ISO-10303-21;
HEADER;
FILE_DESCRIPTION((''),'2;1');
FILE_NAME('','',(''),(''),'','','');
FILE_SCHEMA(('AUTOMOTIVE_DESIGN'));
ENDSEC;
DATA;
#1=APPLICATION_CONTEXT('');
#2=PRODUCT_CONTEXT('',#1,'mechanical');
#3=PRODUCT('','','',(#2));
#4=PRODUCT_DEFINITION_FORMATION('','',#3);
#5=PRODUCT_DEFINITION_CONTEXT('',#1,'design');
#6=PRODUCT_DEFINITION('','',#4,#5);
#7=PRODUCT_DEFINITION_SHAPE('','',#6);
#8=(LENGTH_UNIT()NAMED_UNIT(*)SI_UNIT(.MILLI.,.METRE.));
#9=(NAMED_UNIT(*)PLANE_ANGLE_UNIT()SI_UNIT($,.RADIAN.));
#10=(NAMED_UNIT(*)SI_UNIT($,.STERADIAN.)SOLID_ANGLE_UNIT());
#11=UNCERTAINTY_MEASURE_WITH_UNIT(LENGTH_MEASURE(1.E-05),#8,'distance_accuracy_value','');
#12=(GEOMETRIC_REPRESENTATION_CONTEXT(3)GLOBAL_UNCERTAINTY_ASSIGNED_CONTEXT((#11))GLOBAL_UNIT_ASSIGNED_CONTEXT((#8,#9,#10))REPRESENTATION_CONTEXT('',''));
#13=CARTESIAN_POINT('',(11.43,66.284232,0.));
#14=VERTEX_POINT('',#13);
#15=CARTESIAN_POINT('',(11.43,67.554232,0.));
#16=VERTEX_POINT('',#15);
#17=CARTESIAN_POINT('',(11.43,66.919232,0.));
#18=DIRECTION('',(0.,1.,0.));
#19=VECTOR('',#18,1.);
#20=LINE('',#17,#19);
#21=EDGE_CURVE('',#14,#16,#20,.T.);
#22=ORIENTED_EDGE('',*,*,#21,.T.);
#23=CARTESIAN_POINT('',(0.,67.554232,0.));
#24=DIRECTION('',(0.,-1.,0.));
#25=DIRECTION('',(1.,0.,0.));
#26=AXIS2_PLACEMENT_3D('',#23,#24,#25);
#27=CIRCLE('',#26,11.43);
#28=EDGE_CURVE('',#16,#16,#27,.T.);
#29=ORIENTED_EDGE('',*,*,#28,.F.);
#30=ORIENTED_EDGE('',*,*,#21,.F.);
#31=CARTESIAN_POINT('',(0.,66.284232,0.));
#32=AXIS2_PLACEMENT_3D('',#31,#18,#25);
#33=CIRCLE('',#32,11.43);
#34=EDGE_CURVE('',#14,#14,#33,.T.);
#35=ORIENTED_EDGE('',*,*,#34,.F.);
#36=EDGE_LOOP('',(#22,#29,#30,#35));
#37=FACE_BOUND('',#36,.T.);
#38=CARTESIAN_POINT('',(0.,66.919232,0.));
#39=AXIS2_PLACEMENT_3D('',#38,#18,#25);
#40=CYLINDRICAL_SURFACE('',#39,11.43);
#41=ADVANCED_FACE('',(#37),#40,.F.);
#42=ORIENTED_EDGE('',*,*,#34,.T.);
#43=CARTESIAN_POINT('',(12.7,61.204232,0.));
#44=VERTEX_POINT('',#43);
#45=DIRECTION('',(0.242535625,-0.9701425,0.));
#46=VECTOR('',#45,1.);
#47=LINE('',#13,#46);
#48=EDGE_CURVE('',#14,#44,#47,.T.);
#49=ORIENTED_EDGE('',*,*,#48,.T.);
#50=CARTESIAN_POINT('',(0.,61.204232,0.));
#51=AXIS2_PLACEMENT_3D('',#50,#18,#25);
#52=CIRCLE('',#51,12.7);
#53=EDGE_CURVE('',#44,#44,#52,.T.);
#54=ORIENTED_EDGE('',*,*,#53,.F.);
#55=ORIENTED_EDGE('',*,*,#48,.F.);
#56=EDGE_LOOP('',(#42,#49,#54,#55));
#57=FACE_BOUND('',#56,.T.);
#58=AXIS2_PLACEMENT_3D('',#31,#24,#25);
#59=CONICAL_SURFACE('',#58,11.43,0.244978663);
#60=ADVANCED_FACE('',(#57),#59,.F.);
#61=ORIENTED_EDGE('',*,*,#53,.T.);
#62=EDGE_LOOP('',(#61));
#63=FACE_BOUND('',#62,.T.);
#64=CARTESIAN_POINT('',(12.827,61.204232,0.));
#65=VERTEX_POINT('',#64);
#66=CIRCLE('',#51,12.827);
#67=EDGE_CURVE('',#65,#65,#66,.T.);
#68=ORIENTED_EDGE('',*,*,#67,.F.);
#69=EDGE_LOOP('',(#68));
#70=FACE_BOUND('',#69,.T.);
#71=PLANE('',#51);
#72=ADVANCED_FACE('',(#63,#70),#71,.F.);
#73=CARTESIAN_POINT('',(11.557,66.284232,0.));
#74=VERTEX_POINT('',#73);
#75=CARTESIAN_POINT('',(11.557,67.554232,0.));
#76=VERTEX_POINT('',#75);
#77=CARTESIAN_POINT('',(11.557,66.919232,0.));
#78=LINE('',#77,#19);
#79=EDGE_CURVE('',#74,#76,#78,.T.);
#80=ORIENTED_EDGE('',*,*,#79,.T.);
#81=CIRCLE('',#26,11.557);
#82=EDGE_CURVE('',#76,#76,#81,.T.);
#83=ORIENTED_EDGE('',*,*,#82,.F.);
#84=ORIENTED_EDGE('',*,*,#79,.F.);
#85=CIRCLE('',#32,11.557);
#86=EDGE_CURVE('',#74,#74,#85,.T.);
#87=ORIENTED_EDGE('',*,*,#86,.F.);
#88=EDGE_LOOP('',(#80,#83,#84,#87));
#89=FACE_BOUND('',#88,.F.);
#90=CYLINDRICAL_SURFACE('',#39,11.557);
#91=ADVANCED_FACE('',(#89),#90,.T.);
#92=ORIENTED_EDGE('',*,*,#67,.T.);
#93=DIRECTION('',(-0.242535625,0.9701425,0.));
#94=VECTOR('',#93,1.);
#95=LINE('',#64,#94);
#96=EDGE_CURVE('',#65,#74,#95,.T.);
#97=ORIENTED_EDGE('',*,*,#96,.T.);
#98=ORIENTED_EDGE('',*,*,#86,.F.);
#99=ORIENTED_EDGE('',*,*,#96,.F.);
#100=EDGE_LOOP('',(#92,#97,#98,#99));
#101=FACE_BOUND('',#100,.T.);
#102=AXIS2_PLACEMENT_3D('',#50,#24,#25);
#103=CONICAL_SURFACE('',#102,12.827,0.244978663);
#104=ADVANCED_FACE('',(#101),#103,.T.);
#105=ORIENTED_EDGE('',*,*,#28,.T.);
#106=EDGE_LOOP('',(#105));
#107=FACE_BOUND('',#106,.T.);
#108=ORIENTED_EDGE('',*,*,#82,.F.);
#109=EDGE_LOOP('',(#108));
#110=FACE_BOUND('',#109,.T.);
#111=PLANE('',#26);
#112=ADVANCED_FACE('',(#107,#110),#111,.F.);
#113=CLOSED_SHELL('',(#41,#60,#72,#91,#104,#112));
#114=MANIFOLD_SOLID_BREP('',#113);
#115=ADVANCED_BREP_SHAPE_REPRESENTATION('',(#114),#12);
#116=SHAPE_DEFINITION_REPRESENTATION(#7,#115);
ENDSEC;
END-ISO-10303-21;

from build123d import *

# Parameters (mm, degrees)
F0_W = 0.127
F0_H = 1.27


with BuildPart() as f1:
    # F0 (on Top) → F1 (revolve)
    with BuildSketch(Plane.XY):
        Polygon((11.557, 66.284232), (11.43, 66.284232), (12.7, 61.204232), (12.827, 61.204232), align=None)
    revolve(axis=Axis((0, 63.744232, 0), (0, 1, 0)))

    # F0 (on Top) → F2 (revolve)
    with BuildSketch(Plane.XY):
        with Locations((11.4935, 66.919232)):
            Rectangle(F0_W, F0_H)
    revolve(axis=Axis((0, 66.919232, 0), (0, -1, 0)))


solid = f1.part
